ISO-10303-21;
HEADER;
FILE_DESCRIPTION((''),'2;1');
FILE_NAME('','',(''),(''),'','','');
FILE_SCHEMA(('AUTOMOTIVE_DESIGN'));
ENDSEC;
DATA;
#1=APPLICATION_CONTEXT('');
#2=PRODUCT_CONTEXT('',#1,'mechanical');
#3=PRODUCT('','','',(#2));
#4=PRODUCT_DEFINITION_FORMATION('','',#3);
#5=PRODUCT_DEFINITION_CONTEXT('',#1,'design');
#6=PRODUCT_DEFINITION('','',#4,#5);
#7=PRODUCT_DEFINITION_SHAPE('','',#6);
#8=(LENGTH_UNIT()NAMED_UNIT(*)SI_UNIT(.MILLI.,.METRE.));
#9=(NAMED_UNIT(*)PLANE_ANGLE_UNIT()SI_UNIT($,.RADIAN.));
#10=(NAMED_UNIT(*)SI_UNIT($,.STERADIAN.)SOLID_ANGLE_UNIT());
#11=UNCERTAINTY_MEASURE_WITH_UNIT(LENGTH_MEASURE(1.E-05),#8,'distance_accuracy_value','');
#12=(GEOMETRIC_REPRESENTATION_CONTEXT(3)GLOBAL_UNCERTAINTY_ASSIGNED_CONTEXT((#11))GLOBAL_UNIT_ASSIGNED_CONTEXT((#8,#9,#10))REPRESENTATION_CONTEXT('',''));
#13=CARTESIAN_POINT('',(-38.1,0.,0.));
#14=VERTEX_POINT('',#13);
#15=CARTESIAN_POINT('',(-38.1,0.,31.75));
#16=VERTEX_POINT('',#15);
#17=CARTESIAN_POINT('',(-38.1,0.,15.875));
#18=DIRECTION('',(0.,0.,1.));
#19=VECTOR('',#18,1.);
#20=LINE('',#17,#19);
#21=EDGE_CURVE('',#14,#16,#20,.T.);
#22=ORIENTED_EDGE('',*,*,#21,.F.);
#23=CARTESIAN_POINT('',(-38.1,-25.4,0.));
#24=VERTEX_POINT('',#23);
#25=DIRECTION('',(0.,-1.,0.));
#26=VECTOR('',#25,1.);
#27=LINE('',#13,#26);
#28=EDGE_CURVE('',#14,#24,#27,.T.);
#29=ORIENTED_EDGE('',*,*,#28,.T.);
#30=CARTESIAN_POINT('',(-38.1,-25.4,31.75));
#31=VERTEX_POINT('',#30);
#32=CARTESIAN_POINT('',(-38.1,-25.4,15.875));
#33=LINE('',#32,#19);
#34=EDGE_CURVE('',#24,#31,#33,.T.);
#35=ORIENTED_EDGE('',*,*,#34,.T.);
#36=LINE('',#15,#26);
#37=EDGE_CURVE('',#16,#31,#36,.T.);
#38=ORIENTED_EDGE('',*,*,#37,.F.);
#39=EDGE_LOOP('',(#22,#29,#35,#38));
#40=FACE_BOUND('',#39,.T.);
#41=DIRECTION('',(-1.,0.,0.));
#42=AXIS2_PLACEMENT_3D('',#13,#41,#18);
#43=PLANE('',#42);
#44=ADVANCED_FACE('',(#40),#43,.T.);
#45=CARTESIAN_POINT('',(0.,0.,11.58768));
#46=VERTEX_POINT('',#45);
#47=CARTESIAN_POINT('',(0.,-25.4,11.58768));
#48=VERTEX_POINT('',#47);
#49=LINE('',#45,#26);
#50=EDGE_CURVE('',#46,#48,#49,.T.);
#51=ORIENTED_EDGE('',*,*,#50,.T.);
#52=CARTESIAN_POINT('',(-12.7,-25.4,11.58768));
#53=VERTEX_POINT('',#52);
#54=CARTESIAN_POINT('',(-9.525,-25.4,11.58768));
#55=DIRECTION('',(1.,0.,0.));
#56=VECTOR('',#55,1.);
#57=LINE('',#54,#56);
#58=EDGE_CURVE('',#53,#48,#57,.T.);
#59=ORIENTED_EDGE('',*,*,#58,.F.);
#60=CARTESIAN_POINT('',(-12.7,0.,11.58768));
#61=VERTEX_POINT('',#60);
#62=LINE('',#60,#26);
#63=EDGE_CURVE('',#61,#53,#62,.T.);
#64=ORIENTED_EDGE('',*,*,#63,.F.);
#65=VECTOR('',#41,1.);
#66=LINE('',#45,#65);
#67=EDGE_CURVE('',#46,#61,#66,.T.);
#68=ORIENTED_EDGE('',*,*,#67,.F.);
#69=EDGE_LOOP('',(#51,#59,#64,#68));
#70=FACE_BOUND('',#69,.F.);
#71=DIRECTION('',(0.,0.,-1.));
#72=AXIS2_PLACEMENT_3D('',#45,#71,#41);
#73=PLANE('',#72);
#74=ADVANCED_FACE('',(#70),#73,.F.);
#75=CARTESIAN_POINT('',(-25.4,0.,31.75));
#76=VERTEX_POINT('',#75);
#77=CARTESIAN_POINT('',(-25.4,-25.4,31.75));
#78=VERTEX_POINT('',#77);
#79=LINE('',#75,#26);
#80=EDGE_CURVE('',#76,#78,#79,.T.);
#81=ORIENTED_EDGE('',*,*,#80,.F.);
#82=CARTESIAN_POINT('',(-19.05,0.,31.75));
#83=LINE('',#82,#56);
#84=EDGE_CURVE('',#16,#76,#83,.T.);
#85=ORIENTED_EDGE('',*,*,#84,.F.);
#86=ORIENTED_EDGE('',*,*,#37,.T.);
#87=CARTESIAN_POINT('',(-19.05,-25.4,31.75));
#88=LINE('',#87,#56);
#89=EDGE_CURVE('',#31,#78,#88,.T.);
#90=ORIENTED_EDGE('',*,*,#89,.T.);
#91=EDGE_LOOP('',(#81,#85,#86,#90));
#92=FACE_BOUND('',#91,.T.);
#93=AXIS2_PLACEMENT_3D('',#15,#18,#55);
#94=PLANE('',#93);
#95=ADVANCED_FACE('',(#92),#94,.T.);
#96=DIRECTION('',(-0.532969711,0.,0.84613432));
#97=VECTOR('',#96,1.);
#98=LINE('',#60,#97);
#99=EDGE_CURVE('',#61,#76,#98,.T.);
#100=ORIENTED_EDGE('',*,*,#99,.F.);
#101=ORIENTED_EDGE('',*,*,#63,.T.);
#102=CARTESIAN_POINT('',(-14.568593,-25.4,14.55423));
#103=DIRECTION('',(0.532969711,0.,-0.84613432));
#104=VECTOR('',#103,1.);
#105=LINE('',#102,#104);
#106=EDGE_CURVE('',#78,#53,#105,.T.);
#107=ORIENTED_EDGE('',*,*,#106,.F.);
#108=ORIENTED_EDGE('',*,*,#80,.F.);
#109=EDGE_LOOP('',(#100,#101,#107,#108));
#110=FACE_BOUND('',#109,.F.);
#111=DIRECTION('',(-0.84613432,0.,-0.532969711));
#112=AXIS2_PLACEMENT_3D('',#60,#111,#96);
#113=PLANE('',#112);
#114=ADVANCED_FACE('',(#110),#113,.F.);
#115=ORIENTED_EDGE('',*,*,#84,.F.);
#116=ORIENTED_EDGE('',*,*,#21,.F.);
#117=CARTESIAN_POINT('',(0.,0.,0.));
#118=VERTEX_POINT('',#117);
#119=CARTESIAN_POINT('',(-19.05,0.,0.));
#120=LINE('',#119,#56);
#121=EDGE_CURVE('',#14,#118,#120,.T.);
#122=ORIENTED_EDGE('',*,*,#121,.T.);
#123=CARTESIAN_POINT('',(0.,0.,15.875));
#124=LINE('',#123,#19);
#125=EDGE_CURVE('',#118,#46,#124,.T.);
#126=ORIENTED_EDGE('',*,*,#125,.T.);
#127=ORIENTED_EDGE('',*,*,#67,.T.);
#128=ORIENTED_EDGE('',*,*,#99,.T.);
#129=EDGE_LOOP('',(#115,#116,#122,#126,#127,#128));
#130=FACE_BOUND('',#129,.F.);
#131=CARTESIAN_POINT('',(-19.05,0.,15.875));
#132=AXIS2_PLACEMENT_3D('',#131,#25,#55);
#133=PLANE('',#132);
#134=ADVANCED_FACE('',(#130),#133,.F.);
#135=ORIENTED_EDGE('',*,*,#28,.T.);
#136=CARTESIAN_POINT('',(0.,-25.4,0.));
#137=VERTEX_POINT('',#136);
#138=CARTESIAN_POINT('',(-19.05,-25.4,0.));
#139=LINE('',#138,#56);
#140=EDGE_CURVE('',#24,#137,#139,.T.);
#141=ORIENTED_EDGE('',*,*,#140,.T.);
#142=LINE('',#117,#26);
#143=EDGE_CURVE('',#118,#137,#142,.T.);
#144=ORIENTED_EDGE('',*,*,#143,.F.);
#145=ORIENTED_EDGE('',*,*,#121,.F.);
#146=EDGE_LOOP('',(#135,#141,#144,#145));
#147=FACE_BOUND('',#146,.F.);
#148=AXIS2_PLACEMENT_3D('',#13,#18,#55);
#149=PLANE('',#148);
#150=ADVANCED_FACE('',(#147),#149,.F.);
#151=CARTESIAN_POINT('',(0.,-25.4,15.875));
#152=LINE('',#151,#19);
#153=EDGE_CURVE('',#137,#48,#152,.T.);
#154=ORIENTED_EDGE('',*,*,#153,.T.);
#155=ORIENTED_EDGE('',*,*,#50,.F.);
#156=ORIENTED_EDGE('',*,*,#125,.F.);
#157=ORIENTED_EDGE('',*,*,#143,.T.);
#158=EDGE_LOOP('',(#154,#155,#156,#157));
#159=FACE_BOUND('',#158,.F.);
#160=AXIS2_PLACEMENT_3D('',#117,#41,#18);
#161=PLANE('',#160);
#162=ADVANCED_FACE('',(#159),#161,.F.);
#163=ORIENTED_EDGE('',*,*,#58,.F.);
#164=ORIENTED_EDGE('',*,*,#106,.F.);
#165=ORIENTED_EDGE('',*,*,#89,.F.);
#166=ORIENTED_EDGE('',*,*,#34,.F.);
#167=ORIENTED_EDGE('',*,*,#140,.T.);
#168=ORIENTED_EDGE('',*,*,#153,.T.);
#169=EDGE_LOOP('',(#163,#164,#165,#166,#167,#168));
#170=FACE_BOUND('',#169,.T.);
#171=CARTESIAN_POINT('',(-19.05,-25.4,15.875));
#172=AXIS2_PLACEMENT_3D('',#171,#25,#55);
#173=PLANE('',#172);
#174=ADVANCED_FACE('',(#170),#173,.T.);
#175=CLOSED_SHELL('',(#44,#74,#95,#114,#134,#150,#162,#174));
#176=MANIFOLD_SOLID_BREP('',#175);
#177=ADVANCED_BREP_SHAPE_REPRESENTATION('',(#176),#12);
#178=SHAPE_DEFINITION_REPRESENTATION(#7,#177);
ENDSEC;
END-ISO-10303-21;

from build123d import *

# Parameters (mm, degrees)
F0_W     = 38.1
F0_H     = 31.75
F1_DEPTH = 25.4
F3_DEPTH = 25.401


with BuildPart() as f1:
    # F0 (on Front) → F1 (new body)
    with BuildSketch(Plane.XZ):
        with Locations((-19.05, 15.875)):
            Rectangle(F0_W, F0_H)
    extrude(amount=F1_DEPTH)

    # F2 (on face) → F3 (cut, through all)
    with BuildSketch(Plane(origin=(0, 0, 0), x_dir=(-1, 0, 0), z_dir=(0, 1, 0))):
        Polygon((0, 31.75), (0, 11.58768), (12.7, 11.58768), (25.4, 31.75), align=None)
    extrude(amount=-F3_DEPTH, mode=Mode.SUBTRACT)


solid = f1.part
